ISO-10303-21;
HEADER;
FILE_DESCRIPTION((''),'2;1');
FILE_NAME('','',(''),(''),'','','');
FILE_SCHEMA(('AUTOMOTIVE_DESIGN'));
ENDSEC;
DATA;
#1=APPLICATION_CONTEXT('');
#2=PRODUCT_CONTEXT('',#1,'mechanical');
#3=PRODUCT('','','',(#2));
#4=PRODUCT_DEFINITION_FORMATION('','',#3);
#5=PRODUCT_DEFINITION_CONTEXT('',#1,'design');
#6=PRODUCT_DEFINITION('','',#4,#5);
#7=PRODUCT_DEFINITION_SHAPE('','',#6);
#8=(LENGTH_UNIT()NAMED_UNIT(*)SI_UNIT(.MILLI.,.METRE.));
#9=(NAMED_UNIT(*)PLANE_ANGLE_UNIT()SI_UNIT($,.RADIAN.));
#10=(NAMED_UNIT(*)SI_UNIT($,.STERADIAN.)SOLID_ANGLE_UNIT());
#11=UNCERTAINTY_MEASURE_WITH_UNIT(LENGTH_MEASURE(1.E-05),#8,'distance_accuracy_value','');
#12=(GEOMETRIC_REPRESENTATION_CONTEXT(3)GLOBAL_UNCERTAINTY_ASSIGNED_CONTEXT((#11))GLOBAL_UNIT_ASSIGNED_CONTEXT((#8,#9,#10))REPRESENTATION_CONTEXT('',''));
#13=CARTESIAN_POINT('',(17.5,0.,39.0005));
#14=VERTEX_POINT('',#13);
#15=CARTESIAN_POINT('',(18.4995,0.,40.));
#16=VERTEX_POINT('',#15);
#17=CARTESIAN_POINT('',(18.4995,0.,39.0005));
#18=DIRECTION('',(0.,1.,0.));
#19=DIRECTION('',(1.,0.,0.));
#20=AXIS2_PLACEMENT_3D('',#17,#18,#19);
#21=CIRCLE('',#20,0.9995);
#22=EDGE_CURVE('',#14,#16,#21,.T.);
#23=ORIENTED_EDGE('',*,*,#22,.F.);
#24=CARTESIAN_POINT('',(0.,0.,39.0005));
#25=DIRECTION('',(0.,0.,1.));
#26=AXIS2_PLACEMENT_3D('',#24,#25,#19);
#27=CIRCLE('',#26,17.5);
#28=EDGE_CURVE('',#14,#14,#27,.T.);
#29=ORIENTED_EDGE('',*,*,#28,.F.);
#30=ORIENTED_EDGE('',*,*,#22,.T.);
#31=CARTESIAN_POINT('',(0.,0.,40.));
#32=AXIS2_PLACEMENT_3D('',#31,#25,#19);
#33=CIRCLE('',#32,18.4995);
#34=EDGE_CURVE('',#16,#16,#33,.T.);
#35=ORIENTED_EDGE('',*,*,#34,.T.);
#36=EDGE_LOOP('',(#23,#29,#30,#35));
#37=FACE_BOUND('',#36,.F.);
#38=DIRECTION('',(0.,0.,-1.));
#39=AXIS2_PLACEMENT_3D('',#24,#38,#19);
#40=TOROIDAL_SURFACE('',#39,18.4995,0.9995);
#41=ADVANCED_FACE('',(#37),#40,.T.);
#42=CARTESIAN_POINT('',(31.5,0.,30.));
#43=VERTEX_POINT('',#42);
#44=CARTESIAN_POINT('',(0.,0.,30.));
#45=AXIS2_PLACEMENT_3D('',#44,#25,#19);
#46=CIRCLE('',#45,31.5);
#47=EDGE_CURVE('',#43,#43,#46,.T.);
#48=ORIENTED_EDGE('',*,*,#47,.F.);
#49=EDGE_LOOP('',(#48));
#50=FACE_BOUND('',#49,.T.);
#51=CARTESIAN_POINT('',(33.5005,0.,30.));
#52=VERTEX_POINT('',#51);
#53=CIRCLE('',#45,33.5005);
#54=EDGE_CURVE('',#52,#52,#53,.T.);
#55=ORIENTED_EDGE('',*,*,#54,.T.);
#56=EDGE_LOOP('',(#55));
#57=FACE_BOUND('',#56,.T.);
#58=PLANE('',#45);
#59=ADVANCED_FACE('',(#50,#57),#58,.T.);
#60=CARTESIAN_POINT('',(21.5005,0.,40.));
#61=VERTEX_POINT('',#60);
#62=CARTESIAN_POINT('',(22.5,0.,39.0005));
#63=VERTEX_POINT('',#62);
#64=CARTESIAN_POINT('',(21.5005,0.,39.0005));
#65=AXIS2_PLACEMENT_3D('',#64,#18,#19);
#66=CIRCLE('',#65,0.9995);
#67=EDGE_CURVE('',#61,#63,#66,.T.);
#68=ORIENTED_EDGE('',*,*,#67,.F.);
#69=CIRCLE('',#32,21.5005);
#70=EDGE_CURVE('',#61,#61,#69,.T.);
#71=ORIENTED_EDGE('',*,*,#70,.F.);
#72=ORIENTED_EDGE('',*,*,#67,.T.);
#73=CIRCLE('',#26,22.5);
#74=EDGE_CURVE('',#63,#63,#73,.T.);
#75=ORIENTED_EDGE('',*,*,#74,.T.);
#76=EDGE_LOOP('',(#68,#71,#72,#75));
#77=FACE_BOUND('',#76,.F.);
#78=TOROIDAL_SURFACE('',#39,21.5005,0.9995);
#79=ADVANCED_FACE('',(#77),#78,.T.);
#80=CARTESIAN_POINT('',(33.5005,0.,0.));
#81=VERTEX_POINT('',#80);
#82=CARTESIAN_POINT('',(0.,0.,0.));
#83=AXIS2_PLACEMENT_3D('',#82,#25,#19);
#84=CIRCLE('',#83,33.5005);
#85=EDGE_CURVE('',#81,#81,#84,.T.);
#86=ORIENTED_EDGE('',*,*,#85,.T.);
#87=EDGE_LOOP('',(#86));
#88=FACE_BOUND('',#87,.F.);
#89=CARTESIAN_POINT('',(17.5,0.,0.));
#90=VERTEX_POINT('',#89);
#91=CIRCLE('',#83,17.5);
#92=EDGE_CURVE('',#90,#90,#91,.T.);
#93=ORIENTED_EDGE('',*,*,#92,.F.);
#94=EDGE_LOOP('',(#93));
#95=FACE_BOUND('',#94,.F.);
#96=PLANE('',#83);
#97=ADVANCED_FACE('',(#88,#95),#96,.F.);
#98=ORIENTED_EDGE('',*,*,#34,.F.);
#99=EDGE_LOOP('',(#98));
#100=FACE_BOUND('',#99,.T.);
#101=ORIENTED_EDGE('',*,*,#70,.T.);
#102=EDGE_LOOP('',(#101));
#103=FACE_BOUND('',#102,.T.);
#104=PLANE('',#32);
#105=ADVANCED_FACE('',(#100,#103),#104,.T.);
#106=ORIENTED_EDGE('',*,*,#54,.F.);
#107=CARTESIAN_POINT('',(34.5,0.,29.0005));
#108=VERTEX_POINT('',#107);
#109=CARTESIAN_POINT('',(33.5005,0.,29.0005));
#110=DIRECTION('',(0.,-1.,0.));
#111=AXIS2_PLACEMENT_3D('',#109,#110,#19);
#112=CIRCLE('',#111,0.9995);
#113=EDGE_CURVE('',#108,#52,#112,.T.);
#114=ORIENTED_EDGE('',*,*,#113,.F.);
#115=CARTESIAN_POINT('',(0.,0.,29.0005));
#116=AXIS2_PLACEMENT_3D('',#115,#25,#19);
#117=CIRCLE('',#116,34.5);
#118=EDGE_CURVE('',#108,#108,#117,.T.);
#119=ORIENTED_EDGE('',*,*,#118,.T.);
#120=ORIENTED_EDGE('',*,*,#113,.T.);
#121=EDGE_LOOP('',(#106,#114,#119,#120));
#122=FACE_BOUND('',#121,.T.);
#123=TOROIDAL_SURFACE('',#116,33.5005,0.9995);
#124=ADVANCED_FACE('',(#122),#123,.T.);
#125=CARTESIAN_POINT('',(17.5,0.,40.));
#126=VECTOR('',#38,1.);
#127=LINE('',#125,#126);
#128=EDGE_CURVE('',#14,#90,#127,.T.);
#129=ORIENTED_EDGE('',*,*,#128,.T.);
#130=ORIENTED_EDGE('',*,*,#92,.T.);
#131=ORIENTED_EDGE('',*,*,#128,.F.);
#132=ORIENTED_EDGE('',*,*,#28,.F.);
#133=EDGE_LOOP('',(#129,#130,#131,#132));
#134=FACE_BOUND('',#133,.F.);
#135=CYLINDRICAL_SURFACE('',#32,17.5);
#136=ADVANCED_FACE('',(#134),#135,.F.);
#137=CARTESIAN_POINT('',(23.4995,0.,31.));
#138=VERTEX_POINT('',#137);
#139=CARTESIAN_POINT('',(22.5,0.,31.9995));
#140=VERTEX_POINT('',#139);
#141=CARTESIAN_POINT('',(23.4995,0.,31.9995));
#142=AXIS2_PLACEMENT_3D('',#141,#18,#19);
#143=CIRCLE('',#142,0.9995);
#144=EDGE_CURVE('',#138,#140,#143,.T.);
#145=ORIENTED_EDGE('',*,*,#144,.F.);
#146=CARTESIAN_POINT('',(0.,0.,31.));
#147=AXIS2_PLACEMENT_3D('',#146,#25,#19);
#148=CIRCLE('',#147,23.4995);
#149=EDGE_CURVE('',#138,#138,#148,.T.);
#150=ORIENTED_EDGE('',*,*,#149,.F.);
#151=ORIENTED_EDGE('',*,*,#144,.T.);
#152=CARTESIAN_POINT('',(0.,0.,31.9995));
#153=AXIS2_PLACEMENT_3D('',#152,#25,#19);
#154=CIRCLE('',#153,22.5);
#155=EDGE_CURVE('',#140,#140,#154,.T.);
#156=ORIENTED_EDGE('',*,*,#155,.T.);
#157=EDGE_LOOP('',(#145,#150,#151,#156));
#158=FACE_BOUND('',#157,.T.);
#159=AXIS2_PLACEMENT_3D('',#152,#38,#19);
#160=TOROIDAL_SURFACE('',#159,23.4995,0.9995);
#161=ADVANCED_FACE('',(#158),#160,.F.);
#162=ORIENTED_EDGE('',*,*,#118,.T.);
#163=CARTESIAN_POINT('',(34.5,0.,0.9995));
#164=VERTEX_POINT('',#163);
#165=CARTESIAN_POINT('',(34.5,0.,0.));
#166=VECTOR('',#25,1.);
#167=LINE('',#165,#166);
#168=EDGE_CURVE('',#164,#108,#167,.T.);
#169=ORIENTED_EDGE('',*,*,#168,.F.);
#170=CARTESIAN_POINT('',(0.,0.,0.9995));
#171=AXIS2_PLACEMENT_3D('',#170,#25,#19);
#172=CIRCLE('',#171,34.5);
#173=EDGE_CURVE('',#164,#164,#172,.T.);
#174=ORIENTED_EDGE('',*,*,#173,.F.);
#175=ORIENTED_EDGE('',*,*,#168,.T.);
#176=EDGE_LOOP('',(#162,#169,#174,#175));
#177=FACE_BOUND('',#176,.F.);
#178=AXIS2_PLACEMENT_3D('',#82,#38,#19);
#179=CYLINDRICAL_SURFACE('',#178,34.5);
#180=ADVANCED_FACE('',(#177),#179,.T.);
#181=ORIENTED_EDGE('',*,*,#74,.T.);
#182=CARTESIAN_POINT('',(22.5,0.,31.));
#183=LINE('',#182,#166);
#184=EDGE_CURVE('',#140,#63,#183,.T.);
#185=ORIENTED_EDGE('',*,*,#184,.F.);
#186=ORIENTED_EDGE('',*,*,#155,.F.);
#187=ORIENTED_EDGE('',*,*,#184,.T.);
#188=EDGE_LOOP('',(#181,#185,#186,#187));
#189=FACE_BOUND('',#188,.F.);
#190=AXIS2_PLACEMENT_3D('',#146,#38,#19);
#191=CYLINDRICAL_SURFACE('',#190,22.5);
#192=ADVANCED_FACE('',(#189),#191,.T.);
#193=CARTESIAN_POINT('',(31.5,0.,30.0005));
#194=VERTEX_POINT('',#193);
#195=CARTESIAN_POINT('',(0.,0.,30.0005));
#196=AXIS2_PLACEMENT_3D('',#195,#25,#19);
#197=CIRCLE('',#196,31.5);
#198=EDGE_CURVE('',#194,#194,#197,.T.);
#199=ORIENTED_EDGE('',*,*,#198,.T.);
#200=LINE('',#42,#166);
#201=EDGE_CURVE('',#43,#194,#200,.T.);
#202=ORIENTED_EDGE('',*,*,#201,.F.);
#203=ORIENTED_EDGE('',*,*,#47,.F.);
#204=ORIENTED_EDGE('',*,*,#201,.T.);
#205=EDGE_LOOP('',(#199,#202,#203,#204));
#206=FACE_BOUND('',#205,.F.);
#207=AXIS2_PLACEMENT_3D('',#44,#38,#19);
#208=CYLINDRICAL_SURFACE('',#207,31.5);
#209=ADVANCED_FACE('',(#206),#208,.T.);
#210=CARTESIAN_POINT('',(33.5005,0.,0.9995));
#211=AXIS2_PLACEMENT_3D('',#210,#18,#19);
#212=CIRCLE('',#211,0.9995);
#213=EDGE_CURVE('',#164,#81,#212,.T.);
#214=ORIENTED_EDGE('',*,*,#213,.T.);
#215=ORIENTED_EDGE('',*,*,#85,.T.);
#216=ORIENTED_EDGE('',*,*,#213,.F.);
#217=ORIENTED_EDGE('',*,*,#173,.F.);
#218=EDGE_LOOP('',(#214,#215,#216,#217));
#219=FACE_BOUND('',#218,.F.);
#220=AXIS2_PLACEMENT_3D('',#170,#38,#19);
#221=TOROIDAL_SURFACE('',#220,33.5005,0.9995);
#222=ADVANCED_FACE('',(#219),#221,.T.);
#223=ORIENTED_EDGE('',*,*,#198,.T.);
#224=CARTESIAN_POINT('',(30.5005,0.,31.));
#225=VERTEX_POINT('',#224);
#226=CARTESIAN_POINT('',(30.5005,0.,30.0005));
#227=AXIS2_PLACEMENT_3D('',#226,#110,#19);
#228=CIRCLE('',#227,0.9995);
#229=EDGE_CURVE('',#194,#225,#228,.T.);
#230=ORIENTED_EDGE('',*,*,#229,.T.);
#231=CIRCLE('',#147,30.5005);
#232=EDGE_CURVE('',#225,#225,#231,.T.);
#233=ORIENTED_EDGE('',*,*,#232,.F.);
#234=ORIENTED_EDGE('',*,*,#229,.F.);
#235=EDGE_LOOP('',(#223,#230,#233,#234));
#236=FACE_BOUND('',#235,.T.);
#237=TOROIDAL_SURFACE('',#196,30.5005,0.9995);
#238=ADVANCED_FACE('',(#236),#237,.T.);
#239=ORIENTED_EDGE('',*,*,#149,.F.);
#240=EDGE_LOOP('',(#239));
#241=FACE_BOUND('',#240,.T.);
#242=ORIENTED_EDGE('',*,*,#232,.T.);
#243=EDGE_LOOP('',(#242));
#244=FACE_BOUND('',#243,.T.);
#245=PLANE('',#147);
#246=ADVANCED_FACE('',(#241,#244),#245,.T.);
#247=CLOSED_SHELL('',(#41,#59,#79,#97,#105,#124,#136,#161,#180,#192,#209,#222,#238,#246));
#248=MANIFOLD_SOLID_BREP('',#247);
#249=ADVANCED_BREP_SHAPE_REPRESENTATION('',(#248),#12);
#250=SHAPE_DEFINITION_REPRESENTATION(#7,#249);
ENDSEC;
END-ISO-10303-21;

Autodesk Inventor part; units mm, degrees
ref_plane "YZ Plane" through (0, 0, 0) normal (1, 0, 0) x (0, 1, 0)
ref_plane "XZ Plane" through (0, 0, 0) normal (0, 1, 0) x (-1, 0, 0)
ref_plane "XY Plane" through (0, 0, 0) normal (0, 0, 1) x (1, 0, 0)
sketch "Sketch1" plane through (0, 0, 0) normal (0, 0, 1) x (1, 0, 0)
  circle A0 centre (0, 0) radius 34.5
  dimension "d0" = 69
sketch "Sketch2" plane through (0, 0, 0) normal (0, 0, 1) x (1, 0, 0)
  point P0 (0, 0)
extrude "Extrusion1" add sketch "Sketch1" along normal blind 30
sketch "Sketch3" plane through (0, 0, 30) normal (0, 0, 1) x (1, 0, 0)
  circle A0 centre (0, 0) radius 31.5
  dimension "d3" = 63
extrude "Extrusion2" add sketch "Sketch3" along normal blind 1
sketch "Sketch4" plane through (0, 0, 31) normal (0, 0, 1) x (1, 0, 0)
  circle A0 centre (0, 0) radius 22.5
  dimension "d6" = 45
extrude "Extrusion3" add sketch "Sketch4" along normal blind 9
sketch "Sketch5" plane through (0, 0, 40) normal (0, 0, 1) x (1, 0, 0)
  circle A0 centre (0, 0) radius 17.5
  dimension "d9" = 35
extrude "Extrusion4" cut sketch "Sketch5" against normal blind 110
fillet "Fillet1" radius 1 6 edges at (-17.5, 0, 40) (-22.5, 0, 40) (-22.5, 0, 31) (-34.5, 0, 30) (-34.5, 0, 0) (-31.5, 0, 31)
sketch "Sketch6" plane through (0, 0, 0) normal (1, 0, 0) x (0, 1, 0)
  point P0 (0, 0)
properties part number "project flange bearing part2" material "Stainless Steel AISI 440C, Welded"
